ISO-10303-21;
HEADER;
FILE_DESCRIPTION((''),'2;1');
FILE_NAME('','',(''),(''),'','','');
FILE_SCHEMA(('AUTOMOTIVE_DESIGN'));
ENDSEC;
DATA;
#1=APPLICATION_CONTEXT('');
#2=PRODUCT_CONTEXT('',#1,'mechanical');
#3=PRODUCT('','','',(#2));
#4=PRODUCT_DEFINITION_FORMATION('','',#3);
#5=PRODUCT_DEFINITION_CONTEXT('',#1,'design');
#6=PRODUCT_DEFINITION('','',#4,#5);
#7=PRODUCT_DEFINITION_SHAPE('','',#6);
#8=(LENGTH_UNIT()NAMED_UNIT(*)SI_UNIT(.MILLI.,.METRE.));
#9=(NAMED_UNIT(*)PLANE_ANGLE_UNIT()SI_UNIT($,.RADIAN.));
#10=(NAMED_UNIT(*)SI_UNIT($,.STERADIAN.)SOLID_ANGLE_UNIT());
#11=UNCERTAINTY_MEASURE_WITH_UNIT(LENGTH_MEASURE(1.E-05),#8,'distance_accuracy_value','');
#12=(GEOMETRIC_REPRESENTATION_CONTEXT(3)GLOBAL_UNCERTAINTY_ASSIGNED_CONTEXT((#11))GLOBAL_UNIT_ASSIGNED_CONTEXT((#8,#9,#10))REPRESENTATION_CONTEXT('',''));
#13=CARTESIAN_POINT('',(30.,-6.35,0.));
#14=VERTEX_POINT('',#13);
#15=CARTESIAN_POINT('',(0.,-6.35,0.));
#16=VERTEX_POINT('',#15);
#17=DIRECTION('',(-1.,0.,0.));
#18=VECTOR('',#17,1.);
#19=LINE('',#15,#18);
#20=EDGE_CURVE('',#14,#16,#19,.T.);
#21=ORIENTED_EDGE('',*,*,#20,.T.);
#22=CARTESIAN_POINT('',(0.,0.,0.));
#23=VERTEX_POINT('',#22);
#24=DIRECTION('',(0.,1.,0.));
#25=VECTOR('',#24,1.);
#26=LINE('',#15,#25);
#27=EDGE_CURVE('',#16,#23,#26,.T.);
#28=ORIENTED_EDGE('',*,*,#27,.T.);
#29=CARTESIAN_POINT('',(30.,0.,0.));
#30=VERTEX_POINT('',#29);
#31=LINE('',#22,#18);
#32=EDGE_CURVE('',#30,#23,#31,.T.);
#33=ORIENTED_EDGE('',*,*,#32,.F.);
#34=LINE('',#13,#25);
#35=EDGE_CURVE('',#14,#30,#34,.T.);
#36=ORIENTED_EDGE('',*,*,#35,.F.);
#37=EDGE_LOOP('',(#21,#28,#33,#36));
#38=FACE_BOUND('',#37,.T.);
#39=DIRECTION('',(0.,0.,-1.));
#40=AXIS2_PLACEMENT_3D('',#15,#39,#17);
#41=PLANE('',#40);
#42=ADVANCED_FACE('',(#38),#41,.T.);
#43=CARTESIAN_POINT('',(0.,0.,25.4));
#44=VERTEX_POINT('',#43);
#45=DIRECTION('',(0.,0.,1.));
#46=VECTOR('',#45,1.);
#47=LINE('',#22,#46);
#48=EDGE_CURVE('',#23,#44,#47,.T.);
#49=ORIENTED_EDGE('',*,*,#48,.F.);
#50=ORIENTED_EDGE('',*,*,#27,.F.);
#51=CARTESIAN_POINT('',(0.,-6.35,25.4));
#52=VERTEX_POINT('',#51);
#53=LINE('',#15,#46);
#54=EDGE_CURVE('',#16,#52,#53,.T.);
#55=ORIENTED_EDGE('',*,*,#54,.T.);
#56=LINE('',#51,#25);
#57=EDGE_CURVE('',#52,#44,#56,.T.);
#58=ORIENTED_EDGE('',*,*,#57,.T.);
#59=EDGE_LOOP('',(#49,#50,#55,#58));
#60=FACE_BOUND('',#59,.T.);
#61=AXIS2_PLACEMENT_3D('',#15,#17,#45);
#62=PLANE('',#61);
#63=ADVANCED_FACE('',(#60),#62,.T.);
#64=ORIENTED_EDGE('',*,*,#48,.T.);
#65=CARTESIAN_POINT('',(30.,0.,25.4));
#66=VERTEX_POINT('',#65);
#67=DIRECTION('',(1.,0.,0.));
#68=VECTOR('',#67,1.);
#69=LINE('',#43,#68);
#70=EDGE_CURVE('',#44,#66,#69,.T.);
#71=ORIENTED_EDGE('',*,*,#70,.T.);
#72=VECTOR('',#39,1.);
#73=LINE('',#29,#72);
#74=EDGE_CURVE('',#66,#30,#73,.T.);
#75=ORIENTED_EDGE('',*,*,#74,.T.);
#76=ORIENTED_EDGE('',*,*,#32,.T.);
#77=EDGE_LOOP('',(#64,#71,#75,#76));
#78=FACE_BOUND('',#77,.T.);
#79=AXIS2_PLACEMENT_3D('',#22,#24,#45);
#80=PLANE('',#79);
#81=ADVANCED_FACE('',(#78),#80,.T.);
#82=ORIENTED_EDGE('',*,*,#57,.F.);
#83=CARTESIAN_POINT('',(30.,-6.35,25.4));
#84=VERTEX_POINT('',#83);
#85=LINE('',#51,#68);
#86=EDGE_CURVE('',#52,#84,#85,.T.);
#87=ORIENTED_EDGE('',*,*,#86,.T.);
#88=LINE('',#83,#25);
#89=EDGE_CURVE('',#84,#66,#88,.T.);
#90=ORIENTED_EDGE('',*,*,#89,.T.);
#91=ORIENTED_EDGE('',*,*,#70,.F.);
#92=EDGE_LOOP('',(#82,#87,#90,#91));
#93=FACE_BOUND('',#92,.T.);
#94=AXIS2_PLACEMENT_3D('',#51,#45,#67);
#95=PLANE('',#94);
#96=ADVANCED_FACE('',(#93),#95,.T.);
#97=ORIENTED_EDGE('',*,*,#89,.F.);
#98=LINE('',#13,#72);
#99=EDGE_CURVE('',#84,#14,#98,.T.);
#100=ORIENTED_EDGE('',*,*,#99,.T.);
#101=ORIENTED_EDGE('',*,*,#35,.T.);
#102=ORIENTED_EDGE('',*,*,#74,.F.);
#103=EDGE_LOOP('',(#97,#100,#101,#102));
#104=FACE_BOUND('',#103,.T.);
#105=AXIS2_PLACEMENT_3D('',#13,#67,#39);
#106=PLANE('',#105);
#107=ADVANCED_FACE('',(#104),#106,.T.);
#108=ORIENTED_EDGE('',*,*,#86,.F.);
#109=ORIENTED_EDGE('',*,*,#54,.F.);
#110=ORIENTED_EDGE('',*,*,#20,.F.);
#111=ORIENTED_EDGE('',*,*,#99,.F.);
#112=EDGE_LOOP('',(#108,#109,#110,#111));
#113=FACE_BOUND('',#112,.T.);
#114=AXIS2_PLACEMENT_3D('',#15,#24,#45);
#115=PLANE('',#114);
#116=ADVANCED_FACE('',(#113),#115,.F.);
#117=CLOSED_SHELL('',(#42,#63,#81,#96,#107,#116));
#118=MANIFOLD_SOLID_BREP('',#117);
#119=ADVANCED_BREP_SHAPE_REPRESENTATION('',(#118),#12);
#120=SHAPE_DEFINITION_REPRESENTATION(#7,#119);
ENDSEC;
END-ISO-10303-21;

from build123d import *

# Parameters (mm, degrees)
SKETCH1_W           = 30
SKETCH1_H           = 25.4
BOSS_EXTRUDE1_DEPTH = 6.35


with BuildPart() as part:
    # Sketch1 → Boss-Extrude1 (new body)
    with BuildSketch(Plane(origin=(0, 0, 0), x_dir=(1, 0, 0), z_dir=(0, 1, 0))):
        with Locations((15, -12.7)):
            Rectangle(SKETCH1_W, SKETCH1_H)
    extrude(amount=-BOSS_EXTRUDE1_DEPTH)


solid = part.part
